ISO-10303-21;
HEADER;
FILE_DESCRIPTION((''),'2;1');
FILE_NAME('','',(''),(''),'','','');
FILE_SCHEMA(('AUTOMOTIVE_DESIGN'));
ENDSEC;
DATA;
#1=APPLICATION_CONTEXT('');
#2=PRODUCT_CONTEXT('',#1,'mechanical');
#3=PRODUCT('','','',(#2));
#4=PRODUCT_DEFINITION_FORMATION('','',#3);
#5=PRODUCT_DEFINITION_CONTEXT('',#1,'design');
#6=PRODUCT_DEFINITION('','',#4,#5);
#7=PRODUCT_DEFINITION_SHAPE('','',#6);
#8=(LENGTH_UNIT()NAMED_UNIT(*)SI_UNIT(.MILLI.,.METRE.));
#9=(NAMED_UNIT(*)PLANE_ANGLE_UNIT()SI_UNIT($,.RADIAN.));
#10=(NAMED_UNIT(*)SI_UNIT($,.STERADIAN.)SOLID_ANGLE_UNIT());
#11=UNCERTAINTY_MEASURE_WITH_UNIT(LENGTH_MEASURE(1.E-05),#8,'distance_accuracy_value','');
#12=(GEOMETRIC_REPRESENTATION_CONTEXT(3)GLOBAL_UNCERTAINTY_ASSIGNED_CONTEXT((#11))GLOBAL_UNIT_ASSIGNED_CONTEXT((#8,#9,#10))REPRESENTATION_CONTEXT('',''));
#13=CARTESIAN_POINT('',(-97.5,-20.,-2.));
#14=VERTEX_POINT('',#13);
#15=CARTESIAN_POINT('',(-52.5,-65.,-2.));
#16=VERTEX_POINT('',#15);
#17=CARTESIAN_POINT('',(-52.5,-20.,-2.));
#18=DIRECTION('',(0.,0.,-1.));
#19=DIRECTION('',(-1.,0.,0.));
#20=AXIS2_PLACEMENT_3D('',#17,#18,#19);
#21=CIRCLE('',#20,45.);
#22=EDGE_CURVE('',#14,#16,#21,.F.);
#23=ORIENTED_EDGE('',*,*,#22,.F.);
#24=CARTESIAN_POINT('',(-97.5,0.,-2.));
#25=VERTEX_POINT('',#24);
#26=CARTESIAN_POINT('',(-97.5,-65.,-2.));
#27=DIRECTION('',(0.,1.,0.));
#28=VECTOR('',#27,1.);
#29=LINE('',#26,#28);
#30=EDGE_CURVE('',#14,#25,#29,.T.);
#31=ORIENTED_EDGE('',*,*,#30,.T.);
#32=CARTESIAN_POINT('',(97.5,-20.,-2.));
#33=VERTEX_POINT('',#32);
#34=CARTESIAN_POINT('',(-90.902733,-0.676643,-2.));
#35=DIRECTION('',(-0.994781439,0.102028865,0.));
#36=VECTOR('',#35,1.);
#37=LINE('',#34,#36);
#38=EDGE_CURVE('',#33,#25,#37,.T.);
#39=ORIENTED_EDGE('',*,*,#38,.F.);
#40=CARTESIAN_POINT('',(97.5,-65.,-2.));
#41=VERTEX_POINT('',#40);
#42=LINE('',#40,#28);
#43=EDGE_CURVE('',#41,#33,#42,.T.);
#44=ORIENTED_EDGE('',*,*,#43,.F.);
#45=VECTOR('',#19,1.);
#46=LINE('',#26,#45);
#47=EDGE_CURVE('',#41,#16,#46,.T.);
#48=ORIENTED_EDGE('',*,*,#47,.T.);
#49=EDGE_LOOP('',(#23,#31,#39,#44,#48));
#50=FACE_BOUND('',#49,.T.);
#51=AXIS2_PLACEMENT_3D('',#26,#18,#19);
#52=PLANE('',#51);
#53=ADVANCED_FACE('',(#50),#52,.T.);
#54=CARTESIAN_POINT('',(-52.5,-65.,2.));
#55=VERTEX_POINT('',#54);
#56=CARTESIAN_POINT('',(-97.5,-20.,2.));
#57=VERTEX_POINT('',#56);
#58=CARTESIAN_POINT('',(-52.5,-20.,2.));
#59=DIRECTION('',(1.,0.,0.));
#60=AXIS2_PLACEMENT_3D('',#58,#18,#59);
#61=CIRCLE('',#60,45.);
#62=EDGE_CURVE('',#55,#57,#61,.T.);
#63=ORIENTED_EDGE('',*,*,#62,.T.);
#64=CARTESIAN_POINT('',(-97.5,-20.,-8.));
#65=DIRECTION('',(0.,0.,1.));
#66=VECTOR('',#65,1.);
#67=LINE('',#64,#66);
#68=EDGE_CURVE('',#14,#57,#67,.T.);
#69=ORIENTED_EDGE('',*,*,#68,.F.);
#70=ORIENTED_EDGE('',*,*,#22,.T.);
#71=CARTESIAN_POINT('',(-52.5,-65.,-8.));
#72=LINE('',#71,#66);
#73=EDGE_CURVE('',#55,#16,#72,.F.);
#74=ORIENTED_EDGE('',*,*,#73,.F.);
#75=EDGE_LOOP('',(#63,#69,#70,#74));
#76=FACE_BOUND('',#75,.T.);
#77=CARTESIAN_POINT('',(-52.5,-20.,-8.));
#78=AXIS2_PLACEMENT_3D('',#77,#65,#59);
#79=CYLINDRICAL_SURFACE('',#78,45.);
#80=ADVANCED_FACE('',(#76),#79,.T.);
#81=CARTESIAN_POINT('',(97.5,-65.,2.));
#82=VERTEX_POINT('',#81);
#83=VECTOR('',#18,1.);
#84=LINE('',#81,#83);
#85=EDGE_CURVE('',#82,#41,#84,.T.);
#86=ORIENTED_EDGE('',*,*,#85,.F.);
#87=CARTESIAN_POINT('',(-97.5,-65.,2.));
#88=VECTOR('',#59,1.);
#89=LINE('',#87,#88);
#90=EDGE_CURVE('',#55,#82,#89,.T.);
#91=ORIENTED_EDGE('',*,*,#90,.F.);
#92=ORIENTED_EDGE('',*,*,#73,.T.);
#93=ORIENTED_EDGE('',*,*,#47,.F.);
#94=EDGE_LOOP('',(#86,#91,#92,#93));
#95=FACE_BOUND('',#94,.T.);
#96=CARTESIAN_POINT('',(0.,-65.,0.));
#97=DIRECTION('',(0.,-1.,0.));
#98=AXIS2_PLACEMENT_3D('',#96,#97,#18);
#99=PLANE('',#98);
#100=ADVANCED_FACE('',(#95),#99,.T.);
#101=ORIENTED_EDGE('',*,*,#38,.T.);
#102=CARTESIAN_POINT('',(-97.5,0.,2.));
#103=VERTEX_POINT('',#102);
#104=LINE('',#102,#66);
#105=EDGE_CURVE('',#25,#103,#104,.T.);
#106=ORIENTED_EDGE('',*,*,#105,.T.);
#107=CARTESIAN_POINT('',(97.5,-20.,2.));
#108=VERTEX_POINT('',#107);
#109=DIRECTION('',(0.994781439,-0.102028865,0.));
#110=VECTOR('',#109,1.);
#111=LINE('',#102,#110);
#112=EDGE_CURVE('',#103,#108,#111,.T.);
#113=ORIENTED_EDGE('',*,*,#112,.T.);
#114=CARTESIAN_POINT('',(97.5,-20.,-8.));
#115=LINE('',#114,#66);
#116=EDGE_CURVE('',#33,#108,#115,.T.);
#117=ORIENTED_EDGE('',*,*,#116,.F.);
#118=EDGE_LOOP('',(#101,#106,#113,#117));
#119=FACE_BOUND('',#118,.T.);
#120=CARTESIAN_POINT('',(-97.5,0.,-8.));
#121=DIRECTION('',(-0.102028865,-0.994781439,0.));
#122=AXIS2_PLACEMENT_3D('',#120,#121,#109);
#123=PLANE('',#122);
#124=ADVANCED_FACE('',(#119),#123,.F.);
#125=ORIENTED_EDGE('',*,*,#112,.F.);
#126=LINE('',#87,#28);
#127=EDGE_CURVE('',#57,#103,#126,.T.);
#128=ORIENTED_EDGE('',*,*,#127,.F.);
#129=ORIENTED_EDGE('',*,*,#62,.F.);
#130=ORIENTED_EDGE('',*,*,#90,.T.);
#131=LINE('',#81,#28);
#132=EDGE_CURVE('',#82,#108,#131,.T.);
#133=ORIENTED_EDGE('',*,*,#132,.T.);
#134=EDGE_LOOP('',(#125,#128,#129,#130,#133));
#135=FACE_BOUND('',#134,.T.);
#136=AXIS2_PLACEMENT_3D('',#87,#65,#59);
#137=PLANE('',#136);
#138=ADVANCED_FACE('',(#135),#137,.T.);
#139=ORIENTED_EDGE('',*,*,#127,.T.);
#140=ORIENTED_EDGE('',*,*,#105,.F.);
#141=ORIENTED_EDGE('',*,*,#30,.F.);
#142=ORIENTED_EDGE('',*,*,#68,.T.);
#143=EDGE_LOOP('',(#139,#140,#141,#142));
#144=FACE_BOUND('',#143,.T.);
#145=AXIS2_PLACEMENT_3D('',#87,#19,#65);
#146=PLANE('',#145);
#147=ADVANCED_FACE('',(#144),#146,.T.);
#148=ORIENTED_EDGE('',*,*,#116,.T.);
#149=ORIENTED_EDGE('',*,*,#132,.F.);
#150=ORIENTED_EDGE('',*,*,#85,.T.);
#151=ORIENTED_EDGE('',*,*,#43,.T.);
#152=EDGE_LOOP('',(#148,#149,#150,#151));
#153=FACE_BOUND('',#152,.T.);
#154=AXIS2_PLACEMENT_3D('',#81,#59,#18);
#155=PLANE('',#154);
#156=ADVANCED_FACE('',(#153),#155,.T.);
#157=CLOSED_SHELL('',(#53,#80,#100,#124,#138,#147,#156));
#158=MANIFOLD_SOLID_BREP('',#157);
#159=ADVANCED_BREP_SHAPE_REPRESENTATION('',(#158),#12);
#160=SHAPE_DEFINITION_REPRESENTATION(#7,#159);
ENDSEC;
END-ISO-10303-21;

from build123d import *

# Parameters (mm, degrees)
SKETCH1_W           = 195
SKETCH1_H           = 4
BOSS_EXTRUDE1_DEPTH = 65
CUT_EXTRUDE1_DEPTH  = 10
CUT_EXTRUDE2_DEPTH  = 10


with BuildPart() as part:
    # Sketch1 → Boss-Extrude1 (new body)
    with BuildSketch(Plane(origin=(0, 0, 0), x_dir=(1, 0, 0), z_dir=(0, 1, 0))):
        Rectangle(SKETCH1_W, SKETCH1_H)
    extrude(amount=-BOSS_EXTRUDE1_DEPTH)

    # Sketch2 → Cut-Extrude1 (cut)
    with BuildSketch(Plane.XY.offset(2)):
        Polygon((-97.5, 0), (97.5, -20), (97.5, 0), align=None)
    extrude(amount=-CUT_EXTRUDE1_DEPTH, mode=Mode.SUBTRACT)

    # Sketch3 → Cut-Extrude2 (cut)
    with BuildSketch(Plane.XY.offset(2)):
        with BuildLine():
            Line((-97.5, -20), (-97.5, -65))
            Line((-97.5, -65), (-52.5, -65))
            ThreePointArc((-52.5, -65), (-84.319805153, -51.819805153), (-97.5, -20))
        make_face()
    extrude(amount=-CUT_EXTRUDE2_DEPTH, mode=Mode.SUBTRACT)


solid = part.part
